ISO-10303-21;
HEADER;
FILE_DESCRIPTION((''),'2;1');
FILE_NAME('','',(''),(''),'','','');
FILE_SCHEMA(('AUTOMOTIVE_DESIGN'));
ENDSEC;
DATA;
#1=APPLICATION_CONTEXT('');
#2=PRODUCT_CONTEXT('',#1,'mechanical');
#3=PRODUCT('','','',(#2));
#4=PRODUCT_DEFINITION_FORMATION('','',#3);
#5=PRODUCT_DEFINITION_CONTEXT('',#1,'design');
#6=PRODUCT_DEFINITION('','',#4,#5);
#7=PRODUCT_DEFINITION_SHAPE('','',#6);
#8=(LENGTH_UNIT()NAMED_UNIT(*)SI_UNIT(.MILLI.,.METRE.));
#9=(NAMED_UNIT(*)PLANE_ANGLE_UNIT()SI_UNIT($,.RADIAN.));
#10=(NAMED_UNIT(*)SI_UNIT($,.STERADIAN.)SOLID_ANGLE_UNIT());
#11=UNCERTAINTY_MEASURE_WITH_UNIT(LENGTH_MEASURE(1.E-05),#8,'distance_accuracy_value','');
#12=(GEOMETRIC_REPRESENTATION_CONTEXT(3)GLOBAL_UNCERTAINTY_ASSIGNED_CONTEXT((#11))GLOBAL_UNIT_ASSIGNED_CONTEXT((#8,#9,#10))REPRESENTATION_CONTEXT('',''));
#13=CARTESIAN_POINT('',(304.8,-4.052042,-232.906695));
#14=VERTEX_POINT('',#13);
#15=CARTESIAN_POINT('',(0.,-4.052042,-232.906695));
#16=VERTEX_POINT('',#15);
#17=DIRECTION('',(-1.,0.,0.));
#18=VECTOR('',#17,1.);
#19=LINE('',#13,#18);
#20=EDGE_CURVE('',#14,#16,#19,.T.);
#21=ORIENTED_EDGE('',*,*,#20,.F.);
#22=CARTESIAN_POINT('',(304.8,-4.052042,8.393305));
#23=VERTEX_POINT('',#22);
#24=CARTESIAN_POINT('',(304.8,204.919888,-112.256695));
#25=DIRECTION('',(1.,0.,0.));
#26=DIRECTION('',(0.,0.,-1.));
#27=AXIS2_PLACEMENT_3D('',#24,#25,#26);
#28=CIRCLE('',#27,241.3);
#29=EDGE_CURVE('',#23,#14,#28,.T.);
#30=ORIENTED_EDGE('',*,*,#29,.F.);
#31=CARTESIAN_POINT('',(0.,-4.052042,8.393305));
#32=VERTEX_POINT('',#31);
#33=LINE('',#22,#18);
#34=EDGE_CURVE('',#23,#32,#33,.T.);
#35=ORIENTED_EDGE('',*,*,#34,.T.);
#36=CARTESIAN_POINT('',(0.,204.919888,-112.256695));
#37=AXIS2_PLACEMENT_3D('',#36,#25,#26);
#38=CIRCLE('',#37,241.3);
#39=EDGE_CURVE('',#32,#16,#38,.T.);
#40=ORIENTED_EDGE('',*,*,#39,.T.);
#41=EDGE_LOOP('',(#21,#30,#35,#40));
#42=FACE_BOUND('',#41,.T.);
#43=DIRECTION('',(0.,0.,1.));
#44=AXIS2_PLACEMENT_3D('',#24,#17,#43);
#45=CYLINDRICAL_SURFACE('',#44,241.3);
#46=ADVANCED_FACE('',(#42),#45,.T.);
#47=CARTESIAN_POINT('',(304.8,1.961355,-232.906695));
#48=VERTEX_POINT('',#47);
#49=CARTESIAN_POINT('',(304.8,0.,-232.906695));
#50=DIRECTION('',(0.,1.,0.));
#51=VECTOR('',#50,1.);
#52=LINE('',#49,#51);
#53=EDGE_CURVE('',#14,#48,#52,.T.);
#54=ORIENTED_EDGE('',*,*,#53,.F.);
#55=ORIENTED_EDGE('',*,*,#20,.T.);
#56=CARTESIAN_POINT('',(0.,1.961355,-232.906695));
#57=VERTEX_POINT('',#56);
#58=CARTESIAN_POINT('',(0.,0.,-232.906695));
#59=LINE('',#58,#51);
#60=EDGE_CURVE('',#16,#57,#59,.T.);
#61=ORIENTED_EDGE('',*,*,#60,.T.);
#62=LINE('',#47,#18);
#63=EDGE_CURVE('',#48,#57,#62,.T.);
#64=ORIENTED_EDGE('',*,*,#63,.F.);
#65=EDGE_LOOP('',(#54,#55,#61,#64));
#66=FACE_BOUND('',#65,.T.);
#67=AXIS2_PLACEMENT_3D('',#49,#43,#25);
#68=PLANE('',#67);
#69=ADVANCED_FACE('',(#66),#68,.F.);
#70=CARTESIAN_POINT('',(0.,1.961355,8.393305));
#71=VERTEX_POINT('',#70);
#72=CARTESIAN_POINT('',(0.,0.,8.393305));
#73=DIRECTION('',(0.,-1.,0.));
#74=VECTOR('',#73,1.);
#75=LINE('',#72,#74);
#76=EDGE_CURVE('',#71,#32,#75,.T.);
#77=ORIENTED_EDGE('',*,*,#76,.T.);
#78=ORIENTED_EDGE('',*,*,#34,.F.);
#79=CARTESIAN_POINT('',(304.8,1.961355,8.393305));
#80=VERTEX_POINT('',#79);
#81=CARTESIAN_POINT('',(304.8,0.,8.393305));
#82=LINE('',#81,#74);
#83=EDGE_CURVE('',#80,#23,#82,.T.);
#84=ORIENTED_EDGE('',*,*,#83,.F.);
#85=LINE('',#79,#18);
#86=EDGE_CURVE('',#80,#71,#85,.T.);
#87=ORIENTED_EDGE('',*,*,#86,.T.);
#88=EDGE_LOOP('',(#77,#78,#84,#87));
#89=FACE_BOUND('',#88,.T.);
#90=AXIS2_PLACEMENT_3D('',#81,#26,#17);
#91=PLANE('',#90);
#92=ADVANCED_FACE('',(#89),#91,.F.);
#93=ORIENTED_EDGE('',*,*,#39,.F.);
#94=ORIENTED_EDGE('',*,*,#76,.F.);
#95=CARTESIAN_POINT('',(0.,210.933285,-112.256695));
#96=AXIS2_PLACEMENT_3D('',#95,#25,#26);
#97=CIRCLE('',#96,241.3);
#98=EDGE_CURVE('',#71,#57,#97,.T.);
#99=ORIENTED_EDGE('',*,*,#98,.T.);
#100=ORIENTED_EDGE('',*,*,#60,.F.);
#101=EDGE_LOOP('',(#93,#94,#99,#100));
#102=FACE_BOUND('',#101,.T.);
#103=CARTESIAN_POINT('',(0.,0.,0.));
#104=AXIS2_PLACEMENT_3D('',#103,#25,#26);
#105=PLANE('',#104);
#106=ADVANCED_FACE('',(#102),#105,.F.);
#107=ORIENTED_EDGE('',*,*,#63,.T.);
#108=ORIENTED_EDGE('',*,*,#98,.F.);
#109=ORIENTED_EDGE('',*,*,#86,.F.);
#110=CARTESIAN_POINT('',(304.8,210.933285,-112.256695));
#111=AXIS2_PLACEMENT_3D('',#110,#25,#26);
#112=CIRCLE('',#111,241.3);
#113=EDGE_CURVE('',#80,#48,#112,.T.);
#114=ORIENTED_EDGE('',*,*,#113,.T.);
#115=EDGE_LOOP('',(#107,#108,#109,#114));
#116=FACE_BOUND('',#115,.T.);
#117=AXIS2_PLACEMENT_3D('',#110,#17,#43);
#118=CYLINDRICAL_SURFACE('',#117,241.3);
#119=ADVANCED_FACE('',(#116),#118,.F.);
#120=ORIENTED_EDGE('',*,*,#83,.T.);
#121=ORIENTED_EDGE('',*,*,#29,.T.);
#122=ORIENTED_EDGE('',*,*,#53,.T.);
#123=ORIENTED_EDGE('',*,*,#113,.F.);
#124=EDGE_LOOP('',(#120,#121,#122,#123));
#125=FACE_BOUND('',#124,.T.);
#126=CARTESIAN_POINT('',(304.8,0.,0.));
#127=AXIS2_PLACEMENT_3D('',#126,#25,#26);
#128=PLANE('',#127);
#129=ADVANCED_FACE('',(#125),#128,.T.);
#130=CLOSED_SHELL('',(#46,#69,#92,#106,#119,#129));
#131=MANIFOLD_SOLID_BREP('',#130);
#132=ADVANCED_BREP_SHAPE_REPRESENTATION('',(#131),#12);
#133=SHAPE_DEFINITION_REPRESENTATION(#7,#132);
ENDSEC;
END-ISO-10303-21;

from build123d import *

# Parameters (mm, degrees)
BOSS_EXTRUDE4_DEPTH = 304.8


with BuildPart() as part:
    # Sketch3 → Boss-Extrude4 (new body)
    with BuildSketch(Plane(origin=(0, 0, 0), x_dir=(0, 0, -1), z_dir=(1, 0, 0))):
        with BuildLine():
            ThreePointArc((232.90669496, 1.961354585), (112.25669496, -30.366715482), (-8.39330504, 1.961354585))
            Line((-8.39330504, 1.961354585), (-8.39330504, -4.052041589))
            ThreePointArc((-8.39330504, -4.052041589), (112.25669496, -36.380111656), (232.90669496, -4.052041589))
            Line((232.90669496, -4.052041589), (232.90669496, 1.961354585))
        make_face()
    extrude(amount=BOSS_EXTRUDE4_DEPTH)


solid = part.part
